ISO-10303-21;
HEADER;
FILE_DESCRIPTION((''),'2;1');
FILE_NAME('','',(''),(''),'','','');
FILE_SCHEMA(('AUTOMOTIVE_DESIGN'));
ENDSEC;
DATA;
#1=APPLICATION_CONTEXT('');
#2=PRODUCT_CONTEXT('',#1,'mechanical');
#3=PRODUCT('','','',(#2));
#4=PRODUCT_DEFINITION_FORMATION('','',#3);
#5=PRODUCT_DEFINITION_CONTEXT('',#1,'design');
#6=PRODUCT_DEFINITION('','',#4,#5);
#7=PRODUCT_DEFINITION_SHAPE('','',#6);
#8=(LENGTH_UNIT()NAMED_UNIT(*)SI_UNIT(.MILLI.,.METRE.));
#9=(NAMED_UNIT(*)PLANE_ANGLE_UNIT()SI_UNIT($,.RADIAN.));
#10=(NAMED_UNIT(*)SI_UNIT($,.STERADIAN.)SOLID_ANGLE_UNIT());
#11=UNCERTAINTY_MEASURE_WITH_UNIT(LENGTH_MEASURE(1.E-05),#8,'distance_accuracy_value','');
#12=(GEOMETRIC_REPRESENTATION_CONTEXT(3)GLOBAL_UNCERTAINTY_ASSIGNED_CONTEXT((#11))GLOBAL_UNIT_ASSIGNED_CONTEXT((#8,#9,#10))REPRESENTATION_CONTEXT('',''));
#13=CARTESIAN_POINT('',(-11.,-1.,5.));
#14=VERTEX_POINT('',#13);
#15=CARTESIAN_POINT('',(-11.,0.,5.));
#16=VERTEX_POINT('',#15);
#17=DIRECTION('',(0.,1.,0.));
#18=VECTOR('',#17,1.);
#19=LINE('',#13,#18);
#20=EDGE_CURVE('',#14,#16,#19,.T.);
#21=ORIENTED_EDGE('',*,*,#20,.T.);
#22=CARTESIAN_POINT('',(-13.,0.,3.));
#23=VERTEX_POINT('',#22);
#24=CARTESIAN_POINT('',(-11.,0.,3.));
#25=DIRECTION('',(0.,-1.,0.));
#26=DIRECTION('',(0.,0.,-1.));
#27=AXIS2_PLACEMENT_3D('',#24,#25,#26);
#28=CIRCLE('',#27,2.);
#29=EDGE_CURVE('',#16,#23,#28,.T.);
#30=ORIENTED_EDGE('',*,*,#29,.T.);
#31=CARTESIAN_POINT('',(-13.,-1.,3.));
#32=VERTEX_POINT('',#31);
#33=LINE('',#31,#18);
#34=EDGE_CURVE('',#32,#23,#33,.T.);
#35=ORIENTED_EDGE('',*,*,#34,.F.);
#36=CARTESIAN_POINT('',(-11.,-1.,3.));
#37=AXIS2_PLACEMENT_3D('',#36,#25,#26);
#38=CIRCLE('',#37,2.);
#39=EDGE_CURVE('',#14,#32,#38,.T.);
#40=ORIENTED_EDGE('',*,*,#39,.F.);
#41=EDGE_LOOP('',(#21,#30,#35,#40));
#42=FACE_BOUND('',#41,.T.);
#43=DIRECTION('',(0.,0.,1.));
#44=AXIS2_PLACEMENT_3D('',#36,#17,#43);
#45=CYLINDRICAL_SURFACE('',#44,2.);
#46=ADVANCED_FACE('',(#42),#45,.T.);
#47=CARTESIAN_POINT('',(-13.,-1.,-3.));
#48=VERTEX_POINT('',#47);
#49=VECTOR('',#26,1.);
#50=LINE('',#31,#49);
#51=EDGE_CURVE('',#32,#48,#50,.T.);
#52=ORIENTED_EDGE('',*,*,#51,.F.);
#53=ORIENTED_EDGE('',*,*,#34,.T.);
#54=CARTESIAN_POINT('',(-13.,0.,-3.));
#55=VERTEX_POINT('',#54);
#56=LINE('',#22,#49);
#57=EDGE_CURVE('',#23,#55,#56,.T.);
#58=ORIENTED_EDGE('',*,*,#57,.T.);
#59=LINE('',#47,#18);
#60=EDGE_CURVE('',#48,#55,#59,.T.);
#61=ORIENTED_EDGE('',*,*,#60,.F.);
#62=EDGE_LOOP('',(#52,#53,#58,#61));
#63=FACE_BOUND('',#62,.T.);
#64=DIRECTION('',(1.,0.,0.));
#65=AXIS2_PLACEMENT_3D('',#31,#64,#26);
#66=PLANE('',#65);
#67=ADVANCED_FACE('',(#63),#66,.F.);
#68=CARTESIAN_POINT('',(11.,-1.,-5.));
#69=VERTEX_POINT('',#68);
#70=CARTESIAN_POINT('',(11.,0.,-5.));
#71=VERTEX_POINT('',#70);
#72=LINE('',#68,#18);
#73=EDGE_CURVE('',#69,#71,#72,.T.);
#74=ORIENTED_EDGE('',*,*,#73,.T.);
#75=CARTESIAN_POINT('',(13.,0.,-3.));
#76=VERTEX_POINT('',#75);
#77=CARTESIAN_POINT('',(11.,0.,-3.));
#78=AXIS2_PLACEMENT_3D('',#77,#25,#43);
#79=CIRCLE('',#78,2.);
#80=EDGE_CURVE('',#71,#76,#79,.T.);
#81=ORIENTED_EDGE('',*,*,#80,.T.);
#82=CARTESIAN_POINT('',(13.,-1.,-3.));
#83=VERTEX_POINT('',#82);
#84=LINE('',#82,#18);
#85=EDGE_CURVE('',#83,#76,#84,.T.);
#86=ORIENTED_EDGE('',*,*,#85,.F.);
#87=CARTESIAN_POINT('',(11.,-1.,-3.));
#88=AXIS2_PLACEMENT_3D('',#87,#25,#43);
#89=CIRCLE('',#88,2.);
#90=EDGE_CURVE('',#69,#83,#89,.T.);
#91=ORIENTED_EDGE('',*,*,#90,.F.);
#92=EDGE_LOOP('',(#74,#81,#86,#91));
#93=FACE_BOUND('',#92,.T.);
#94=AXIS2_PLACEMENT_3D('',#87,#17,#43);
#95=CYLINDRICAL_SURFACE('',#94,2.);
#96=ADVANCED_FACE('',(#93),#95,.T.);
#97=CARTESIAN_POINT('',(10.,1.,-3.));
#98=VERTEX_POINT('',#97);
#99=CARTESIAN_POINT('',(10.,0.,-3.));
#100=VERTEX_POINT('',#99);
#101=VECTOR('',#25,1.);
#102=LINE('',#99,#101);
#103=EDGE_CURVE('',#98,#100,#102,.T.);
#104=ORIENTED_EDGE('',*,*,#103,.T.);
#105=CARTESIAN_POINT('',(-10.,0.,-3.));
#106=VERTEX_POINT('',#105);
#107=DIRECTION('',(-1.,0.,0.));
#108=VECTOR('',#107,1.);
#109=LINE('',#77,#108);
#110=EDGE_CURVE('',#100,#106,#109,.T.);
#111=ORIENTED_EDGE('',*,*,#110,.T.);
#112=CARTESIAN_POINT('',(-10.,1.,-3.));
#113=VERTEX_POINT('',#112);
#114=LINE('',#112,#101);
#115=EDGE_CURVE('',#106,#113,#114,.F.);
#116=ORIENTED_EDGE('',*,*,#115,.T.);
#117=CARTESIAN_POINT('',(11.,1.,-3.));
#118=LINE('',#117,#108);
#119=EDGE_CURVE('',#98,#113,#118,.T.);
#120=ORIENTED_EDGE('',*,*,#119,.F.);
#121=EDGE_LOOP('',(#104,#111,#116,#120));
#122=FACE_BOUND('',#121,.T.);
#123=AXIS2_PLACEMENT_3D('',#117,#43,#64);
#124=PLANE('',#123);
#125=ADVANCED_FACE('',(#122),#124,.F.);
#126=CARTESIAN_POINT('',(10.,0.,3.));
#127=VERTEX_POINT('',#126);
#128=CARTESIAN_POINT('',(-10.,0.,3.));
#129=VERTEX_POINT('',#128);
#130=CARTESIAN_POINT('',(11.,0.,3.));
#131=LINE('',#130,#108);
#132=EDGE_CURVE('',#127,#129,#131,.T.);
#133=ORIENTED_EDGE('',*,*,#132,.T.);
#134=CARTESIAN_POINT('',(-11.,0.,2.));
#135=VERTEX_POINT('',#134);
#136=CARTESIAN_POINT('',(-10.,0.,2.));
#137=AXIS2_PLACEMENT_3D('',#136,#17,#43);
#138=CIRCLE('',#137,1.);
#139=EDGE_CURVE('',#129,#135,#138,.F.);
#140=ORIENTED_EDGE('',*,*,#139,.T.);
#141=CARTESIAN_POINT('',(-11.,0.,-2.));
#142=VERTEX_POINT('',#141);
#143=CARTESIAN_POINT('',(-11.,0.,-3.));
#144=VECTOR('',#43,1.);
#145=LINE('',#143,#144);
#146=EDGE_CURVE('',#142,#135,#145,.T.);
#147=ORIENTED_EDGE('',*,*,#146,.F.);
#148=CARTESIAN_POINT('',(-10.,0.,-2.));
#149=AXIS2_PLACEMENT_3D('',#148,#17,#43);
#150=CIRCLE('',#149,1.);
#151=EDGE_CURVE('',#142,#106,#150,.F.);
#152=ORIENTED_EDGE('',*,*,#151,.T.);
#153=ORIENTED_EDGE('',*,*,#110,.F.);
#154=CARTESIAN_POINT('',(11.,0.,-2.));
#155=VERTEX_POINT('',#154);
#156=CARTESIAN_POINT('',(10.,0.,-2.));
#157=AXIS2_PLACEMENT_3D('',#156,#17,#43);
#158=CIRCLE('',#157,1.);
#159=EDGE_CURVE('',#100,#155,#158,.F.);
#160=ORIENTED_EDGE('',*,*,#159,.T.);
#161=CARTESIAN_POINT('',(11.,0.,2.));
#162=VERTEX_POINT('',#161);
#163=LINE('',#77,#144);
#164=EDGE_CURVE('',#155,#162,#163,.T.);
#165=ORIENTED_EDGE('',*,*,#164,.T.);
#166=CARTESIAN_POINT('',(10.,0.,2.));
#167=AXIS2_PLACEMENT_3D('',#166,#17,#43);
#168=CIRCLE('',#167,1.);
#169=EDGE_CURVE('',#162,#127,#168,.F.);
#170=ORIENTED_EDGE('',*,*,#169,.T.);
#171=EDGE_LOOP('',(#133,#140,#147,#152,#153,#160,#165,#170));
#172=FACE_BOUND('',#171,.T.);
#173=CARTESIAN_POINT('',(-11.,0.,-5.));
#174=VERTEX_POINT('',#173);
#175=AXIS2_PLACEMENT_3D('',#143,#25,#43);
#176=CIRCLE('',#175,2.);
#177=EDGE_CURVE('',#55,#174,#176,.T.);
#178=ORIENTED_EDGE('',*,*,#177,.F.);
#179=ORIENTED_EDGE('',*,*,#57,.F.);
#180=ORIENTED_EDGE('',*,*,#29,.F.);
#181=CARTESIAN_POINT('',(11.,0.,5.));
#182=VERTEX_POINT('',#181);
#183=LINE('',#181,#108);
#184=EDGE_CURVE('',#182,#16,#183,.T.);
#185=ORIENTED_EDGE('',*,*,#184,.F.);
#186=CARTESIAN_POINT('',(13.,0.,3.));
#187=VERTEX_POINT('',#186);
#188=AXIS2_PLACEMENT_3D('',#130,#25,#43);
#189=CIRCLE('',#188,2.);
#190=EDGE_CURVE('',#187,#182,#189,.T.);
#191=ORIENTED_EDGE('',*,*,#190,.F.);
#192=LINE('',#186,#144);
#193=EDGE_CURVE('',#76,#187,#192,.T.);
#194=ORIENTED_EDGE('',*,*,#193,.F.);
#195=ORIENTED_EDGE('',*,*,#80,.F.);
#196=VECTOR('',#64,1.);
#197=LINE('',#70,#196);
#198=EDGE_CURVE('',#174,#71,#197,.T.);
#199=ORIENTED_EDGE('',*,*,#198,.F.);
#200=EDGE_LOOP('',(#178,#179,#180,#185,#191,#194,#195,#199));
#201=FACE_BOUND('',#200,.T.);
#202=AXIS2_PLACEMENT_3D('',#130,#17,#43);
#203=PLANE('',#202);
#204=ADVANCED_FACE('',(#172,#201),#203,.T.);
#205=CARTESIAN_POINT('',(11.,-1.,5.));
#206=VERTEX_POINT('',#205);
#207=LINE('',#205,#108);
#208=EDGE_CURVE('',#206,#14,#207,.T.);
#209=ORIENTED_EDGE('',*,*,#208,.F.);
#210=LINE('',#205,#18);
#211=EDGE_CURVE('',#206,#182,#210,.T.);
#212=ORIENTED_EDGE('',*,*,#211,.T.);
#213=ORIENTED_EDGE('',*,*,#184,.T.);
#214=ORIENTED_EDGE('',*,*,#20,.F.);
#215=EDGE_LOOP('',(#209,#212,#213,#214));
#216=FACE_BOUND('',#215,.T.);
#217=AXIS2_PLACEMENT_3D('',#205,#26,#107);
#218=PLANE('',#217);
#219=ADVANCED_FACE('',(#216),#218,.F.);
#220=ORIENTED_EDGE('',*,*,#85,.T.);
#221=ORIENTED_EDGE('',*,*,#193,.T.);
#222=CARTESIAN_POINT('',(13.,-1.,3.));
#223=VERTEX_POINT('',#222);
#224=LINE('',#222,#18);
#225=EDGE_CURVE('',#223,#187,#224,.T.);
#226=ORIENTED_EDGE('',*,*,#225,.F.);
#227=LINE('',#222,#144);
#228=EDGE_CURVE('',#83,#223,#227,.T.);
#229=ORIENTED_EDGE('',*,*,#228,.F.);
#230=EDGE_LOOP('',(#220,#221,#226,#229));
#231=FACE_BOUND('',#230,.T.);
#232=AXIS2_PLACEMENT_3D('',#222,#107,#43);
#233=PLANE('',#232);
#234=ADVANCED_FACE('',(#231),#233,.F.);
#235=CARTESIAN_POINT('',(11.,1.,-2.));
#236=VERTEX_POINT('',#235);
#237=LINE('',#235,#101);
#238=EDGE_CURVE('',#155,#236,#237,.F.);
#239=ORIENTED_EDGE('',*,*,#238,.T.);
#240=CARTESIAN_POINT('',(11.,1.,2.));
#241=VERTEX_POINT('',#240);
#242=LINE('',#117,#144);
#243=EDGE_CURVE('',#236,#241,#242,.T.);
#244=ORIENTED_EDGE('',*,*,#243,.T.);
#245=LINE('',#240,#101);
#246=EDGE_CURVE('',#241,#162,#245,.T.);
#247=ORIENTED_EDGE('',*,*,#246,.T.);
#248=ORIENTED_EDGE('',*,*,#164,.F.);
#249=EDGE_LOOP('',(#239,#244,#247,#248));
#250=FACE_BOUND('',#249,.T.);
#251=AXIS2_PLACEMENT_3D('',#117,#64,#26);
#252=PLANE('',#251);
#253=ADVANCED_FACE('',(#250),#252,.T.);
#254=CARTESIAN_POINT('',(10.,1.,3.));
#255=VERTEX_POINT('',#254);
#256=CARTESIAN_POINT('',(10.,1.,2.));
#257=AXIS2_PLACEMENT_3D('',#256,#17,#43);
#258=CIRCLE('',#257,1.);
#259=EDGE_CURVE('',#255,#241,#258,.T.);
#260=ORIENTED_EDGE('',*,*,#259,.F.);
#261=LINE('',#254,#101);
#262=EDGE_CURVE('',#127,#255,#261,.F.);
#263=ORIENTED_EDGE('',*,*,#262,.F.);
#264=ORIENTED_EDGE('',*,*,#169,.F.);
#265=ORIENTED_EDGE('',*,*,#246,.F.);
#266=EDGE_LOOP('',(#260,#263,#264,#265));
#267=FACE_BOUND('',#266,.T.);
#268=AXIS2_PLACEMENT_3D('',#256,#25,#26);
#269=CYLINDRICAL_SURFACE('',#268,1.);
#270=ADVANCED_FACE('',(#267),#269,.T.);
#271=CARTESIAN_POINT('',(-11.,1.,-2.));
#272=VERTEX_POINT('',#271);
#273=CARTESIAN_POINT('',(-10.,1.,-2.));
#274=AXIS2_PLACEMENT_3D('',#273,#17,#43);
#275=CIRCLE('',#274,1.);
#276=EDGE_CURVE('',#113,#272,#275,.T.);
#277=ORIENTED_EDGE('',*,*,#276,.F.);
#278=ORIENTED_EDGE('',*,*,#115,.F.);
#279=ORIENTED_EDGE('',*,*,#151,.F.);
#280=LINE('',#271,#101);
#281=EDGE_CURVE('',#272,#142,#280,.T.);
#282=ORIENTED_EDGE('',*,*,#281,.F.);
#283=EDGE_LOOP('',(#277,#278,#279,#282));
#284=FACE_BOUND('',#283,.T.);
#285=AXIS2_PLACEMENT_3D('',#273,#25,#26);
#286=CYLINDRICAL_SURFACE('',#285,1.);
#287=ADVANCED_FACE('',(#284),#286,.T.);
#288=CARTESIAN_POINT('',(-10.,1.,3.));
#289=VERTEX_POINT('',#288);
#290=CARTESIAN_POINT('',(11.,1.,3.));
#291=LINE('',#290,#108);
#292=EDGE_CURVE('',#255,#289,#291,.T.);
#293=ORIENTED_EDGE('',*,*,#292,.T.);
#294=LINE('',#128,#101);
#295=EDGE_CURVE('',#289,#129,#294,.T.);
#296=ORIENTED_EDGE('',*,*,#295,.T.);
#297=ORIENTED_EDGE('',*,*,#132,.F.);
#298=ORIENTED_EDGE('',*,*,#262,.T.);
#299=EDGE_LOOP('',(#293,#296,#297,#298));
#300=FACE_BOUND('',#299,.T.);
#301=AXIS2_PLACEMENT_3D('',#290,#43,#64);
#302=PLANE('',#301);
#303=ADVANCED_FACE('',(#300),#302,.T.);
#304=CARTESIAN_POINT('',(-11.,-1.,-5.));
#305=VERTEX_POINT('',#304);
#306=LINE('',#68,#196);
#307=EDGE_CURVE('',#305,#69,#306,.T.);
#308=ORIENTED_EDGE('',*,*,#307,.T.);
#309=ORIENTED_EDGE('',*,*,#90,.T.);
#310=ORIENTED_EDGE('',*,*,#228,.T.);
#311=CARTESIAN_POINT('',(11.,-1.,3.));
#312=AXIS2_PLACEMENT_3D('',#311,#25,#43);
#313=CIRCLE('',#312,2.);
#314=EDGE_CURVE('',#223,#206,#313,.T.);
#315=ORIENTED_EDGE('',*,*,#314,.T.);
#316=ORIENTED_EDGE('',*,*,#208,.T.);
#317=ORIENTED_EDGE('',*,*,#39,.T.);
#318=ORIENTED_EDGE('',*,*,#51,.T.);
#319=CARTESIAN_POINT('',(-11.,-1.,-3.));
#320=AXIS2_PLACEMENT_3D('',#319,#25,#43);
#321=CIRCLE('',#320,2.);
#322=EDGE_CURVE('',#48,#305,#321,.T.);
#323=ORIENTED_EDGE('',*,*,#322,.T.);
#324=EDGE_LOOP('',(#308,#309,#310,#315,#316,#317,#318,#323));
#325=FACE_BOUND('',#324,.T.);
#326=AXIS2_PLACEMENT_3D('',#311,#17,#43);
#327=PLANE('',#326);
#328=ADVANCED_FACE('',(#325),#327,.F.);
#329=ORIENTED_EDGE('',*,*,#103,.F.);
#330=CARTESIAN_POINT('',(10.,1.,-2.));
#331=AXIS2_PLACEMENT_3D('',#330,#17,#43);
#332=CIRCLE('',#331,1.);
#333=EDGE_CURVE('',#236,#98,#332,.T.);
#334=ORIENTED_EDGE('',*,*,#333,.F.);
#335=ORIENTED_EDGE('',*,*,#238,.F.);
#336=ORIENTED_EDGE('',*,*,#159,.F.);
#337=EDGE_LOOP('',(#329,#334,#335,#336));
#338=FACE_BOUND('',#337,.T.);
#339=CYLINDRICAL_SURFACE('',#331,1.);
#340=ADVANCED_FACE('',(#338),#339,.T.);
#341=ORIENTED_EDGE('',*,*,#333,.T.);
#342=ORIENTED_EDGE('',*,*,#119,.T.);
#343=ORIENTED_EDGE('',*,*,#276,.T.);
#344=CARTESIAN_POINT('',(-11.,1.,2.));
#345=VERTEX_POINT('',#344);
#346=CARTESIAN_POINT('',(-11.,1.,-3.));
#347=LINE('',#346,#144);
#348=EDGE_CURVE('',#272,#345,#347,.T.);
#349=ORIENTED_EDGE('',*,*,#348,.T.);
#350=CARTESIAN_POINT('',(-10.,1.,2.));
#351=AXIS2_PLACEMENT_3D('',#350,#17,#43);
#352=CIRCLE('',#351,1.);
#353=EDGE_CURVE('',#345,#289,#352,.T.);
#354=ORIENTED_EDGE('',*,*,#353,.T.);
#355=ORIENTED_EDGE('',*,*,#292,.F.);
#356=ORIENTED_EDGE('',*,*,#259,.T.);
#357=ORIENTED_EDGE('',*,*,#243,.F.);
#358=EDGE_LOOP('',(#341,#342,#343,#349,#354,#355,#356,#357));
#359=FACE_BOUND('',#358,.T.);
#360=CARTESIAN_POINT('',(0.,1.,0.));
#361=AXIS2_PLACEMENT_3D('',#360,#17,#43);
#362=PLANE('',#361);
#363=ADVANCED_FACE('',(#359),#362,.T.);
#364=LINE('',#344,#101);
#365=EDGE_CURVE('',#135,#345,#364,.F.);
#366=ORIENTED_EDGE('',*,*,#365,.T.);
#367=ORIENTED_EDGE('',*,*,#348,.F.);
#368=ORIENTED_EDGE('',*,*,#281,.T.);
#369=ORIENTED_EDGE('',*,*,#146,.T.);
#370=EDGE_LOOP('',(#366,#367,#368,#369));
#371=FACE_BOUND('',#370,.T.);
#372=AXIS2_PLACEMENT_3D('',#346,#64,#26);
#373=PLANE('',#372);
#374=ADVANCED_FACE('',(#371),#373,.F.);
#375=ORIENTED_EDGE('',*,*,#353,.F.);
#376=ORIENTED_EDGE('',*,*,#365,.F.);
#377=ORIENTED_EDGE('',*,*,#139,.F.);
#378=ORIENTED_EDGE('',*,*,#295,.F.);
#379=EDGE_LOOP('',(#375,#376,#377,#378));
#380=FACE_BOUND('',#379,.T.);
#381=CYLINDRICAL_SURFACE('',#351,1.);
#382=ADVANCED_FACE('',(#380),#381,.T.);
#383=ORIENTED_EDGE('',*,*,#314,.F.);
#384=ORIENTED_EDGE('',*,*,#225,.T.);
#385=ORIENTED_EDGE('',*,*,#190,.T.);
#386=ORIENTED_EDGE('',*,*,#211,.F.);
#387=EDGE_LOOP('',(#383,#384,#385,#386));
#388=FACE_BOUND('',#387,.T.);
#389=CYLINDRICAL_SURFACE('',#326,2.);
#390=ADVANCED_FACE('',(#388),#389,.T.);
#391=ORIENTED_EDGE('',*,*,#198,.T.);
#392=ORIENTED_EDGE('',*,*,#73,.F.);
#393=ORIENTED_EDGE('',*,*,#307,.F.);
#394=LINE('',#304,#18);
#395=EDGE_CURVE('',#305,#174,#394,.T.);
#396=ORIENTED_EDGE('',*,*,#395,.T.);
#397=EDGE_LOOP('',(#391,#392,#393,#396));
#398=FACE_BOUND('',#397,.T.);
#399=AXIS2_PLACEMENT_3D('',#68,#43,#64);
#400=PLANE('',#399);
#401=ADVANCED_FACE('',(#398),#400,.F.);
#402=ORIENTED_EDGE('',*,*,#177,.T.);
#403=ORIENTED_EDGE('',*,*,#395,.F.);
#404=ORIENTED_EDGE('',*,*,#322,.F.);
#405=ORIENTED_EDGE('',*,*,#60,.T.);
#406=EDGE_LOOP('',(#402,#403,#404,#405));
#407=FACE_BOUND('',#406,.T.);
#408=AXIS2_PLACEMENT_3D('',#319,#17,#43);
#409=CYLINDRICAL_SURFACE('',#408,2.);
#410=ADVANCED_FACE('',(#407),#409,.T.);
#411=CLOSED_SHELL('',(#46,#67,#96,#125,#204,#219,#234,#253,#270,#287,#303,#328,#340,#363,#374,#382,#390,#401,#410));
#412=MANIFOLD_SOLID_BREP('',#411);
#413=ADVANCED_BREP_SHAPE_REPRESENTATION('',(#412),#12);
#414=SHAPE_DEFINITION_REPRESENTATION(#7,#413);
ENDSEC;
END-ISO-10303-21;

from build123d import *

# Parameters (mm, degrees)
SKETCH1_W           = 22
SKETCH1_H           = 6
BOSS_EXTRUDE1_DEPTH = 1
BOSS_EXTRUDE2_DEPTH = 1
FILLET1_R           = 1


with BuildPart() as part:
    # Sketch1 → Boss-Extrude1 (new body)
    with BuildSketch(Plane(origin=(0, 0, 0), x_dir=(1, 0, 0), z_dir=(0, 1, 0))):
        Rectangle(SKETCH1_W, SKETCH1_H)
    extrude(amount=BOSS_EXTRUDE1_DEPTH)

    # Sketch2 → Boss-Extrude2 (add)
    with BuildSketch(Plane.XZ):
        with BuildLine():
            Line((11, 5), (-11, 5))
            ThreePointArc((-11, 5), (-12.414213562, 4.414213562), (-13, 3))
            Line((-13, 3), (-13, -3))
            ThreePointArc((-13, -3), (-12.414213562, -4.414213562), (-11, -5))
            Line((-11, -5), (11, -5))
            ThreePointArc((11, -5), (12.414213562, -4.414213562), (13, -3))
            Line((13, -3), (13, 3))
            ThreePointArc((13, 3), (12.414213562, 4.414213562), (11, 5))
        make_face()
    extrude(amount=BOSS_EXTRUDE2_DEPTH)

    # Fillet1
    fillet1_edges = [part.edges().sort_by_distance(p)[0] for p in [
        (11, 0.5, 3),
        (11, 0.5, -3),
        (-11, 0.5, -3),
        (-11, 0.5, 3),
    ]]
    fillet(fillet1_edges, radius=FILLET1_R)


solid = part.part
